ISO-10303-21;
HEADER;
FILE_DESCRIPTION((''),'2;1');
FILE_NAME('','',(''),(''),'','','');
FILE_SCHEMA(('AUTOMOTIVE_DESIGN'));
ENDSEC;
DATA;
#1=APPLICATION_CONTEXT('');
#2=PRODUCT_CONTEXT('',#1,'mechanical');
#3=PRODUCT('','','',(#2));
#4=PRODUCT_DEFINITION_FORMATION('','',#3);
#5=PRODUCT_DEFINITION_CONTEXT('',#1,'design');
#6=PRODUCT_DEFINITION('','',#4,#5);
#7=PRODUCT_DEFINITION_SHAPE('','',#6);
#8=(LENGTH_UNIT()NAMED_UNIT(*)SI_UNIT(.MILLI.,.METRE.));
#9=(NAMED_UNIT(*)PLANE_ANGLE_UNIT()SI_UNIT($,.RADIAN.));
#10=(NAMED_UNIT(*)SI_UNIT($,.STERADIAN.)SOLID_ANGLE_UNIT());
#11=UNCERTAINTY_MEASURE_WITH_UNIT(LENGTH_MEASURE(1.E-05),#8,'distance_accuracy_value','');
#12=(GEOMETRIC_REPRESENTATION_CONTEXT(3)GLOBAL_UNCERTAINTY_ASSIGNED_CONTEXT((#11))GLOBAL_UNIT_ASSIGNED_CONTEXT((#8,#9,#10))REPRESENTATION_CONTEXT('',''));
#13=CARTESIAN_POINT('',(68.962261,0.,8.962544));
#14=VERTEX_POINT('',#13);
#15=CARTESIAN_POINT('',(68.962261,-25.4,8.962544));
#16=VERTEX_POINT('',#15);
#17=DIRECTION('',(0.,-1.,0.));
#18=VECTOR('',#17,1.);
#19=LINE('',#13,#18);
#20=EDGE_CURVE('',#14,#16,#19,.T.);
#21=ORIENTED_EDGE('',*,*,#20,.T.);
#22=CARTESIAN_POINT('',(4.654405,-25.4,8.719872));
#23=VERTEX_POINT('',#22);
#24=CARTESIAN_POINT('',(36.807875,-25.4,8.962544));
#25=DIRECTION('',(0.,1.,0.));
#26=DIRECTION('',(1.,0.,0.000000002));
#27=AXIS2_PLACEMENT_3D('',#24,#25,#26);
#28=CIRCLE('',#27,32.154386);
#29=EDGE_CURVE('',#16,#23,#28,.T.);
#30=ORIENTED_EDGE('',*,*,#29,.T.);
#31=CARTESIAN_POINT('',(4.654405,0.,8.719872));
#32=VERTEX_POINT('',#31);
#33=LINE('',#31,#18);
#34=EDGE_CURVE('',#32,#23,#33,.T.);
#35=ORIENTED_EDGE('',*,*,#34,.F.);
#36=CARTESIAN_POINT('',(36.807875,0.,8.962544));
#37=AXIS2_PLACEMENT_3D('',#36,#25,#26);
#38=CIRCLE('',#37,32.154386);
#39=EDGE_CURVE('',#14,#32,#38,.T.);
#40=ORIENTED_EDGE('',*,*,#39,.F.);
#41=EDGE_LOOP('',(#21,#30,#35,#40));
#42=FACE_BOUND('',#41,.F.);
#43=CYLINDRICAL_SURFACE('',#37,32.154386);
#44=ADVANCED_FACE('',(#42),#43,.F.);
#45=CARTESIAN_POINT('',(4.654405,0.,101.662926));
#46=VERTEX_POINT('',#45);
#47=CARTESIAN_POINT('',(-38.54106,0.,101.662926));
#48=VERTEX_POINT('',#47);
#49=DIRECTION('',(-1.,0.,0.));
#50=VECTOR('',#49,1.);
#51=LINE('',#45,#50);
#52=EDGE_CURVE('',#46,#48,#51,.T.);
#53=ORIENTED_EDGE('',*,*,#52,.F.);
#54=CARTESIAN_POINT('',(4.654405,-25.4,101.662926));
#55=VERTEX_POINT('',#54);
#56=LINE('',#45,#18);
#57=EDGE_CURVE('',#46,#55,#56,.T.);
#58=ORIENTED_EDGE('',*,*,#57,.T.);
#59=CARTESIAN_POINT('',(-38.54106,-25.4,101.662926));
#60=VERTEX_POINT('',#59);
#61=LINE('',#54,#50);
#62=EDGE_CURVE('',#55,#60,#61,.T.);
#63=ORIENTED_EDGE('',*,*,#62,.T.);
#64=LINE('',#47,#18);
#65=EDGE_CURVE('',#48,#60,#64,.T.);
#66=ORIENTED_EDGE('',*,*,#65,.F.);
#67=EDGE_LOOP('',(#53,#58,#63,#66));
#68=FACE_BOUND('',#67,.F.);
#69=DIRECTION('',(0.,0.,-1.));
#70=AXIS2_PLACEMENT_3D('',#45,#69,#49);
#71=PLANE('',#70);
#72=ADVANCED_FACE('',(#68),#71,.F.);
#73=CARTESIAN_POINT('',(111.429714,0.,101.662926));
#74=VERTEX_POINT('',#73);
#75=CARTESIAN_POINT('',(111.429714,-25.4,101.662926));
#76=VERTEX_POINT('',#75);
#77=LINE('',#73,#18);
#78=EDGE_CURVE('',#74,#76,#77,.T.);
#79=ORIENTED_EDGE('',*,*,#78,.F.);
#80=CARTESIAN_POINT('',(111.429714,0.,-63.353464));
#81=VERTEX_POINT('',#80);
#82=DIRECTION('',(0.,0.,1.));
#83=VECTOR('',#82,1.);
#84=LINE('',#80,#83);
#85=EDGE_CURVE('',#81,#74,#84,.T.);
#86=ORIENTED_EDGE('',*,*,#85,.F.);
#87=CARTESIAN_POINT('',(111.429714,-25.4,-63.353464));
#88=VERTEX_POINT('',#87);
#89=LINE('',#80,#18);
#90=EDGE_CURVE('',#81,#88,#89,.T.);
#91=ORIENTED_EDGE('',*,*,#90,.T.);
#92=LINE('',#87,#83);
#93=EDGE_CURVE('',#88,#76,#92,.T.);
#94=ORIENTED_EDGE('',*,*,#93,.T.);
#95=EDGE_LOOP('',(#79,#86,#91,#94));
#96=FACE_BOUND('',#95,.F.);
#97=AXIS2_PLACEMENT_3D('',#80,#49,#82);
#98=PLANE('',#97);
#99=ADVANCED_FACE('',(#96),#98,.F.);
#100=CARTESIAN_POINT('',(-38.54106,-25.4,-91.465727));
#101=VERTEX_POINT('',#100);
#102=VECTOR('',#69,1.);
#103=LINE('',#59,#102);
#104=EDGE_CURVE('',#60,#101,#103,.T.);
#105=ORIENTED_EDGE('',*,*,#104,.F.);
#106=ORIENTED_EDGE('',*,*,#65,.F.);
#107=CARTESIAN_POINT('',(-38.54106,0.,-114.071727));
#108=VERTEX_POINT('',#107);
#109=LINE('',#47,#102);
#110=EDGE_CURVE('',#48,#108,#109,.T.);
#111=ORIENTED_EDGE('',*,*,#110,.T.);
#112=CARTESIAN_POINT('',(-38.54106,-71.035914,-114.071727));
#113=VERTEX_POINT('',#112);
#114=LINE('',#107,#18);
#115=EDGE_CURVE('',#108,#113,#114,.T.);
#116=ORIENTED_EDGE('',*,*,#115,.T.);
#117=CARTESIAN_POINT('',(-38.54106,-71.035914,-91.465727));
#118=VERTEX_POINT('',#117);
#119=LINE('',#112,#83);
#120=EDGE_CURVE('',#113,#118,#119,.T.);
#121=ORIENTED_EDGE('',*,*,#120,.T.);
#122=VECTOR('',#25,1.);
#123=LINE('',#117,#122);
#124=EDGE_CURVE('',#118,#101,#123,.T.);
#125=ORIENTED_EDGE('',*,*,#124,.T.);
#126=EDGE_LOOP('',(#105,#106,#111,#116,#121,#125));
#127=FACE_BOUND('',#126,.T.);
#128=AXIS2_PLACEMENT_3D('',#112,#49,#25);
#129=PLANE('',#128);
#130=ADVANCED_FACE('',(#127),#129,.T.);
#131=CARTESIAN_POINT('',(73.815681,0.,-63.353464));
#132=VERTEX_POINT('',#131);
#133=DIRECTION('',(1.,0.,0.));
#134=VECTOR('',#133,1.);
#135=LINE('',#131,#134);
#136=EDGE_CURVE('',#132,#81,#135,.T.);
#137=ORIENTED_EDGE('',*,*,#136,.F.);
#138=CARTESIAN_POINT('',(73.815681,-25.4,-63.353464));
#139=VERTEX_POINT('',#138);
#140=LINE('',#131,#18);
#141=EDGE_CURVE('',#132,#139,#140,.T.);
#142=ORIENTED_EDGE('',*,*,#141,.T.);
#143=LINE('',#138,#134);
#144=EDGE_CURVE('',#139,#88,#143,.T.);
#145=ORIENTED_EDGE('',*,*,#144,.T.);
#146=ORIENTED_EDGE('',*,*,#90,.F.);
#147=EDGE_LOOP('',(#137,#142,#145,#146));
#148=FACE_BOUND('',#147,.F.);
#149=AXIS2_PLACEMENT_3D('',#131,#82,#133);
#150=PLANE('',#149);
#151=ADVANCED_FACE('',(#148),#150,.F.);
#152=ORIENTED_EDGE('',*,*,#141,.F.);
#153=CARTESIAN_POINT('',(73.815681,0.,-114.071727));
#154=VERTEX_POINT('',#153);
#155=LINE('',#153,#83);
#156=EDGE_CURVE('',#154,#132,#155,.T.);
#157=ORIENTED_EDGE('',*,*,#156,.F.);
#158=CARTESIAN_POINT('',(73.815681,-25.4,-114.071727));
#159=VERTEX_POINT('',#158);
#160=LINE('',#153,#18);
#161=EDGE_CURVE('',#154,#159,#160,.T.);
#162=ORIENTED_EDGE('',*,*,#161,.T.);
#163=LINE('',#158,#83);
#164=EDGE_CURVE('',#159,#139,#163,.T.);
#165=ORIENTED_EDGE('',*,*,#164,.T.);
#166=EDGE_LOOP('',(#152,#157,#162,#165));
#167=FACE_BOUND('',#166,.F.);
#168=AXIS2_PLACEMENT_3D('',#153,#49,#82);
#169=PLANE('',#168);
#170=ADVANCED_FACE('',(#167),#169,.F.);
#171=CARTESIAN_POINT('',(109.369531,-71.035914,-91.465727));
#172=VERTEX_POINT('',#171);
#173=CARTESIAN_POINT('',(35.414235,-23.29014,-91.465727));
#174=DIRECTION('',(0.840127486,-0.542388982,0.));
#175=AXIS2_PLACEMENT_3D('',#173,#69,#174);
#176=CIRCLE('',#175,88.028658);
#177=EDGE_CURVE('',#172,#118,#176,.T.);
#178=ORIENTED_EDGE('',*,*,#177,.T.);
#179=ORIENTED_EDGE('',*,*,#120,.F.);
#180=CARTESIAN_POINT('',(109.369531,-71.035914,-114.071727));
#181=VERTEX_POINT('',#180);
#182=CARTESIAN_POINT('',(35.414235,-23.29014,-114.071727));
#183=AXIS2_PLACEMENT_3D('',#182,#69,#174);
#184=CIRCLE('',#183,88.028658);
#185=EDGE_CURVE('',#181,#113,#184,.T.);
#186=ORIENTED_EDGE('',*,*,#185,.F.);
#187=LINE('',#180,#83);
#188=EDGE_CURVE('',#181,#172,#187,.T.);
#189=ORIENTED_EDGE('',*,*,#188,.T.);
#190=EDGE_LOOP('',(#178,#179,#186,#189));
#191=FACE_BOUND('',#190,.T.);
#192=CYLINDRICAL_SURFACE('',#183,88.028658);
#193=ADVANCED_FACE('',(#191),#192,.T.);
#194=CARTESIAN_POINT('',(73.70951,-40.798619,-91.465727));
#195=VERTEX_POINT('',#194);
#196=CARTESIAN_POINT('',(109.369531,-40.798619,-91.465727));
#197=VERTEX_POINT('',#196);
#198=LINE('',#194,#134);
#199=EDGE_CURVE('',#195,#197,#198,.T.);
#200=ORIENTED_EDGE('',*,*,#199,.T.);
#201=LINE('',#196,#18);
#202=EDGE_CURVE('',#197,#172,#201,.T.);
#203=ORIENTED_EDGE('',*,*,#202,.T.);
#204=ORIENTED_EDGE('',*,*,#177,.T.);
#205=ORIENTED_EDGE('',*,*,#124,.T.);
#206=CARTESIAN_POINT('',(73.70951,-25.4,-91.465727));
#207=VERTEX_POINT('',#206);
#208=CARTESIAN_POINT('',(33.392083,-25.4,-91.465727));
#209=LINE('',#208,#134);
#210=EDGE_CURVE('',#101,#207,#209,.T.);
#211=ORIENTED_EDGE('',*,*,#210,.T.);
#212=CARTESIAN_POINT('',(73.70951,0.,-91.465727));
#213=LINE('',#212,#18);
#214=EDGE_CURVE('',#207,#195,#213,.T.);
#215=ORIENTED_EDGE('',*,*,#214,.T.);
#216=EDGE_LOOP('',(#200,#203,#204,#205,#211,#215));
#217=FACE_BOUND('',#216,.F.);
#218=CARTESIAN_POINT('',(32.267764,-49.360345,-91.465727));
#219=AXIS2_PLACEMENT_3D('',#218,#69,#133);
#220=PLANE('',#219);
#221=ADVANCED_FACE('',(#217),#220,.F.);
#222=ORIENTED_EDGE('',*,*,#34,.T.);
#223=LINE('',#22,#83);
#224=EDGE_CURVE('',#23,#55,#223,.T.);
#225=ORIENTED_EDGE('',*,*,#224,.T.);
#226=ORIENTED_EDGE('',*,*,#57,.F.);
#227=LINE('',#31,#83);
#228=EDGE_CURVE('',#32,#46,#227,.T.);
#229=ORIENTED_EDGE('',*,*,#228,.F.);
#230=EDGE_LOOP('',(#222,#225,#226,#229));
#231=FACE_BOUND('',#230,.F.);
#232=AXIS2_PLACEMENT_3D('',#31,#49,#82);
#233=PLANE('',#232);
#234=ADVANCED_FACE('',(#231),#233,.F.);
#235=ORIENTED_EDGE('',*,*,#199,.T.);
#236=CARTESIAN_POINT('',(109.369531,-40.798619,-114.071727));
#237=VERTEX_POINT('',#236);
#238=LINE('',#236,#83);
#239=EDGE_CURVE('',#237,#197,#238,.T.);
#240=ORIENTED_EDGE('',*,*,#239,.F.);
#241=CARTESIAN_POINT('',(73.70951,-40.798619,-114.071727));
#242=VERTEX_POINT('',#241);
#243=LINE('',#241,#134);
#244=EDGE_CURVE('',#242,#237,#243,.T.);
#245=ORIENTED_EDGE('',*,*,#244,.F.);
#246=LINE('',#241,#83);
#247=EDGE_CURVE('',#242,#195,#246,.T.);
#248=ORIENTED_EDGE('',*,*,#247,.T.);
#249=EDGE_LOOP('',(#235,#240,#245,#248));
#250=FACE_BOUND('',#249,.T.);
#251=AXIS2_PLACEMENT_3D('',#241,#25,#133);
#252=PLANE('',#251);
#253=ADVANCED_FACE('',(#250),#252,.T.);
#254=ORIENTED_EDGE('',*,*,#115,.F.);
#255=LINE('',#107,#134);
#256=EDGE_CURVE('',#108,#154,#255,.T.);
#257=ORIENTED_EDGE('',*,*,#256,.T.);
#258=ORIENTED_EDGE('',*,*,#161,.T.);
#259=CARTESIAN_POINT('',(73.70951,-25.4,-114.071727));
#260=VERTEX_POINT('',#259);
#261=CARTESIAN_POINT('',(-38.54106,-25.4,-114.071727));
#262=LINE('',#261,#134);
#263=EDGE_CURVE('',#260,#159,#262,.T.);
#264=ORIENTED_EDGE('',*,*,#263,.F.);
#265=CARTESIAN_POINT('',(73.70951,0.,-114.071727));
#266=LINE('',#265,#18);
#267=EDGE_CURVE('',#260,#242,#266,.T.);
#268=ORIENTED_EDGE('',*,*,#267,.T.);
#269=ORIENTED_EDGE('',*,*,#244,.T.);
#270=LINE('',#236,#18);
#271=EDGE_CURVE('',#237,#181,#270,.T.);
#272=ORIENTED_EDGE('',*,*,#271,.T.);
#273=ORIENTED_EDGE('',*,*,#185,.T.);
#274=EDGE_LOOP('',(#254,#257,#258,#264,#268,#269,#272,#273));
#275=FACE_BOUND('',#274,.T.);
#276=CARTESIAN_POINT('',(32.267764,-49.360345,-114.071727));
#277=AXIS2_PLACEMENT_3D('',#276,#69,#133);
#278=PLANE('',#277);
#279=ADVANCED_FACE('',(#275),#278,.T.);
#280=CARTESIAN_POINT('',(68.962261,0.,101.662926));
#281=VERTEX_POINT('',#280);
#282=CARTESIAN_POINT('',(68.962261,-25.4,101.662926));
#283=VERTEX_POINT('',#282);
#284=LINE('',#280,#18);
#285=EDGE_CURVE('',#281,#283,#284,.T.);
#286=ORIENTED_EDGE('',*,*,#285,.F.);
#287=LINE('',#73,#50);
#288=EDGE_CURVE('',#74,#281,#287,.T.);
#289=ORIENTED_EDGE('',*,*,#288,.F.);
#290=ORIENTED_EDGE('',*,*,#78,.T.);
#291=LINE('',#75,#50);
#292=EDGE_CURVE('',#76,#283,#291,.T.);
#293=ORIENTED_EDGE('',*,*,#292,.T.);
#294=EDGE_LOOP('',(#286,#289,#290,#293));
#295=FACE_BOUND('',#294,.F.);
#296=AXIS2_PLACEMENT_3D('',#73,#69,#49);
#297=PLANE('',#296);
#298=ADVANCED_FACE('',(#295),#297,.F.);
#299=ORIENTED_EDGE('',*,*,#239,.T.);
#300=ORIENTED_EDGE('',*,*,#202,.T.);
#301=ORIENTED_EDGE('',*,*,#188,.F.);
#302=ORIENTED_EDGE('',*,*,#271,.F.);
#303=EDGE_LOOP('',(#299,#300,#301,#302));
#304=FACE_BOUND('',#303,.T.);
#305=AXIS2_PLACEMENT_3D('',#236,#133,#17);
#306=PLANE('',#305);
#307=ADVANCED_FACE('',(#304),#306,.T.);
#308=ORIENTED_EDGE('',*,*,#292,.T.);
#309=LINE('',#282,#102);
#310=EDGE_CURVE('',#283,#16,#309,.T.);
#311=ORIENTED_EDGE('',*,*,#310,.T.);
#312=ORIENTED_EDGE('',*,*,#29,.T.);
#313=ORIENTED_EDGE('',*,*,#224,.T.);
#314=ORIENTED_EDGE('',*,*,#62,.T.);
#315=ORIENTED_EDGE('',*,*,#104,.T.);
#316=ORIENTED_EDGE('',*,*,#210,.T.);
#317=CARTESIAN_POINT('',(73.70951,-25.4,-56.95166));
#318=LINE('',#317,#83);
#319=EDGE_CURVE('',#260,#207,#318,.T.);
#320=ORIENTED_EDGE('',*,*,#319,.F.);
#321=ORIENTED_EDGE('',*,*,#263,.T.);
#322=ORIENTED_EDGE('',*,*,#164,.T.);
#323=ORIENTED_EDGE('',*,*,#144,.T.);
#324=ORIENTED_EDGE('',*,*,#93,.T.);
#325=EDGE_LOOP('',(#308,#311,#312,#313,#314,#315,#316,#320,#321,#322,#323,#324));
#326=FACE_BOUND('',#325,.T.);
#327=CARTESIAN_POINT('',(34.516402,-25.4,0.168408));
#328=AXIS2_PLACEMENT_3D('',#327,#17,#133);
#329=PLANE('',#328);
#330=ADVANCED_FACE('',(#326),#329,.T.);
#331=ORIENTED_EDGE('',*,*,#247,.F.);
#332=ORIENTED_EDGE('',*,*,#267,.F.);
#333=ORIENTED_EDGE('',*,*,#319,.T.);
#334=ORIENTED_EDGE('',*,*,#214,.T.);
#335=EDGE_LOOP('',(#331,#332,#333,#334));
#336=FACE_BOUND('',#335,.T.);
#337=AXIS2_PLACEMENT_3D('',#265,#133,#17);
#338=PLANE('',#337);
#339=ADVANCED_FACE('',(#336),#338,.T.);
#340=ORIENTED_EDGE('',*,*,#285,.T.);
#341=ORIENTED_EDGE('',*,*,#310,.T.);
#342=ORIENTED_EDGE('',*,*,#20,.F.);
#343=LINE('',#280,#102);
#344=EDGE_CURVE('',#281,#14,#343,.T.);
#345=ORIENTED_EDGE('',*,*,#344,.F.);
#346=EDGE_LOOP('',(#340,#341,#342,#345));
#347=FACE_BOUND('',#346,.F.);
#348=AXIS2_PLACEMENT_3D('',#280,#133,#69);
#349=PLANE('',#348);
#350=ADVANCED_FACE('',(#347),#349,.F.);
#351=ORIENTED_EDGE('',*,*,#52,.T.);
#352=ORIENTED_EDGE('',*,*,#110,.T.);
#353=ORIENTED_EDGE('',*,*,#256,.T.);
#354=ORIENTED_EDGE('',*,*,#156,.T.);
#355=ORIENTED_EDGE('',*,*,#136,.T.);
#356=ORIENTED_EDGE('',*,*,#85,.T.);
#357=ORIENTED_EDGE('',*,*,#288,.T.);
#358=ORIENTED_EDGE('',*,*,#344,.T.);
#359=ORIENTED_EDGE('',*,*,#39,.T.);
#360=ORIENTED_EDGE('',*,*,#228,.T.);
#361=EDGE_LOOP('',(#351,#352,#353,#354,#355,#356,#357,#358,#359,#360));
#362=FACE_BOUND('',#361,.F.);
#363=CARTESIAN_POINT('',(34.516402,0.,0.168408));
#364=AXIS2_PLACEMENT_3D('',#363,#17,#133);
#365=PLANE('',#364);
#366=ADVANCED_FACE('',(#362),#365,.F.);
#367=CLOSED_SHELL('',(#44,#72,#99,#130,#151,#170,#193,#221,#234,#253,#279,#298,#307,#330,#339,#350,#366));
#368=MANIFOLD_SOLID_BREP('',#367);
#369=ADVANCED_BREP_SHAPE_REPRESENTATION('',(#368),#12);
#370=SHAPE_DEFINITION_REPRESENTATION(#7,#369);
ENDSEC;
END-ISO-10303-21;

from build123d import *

# Parameters (mm, degrees)
F1_DEPTH = 25.4
F3_DEPTH = 22.606


with BuildPart() as f1:
    # F0 (on Front) → F1 (new body)
    with BuildSketch(Plane.XZ):
        with BuildLine():
            Line((4.654405, 101.662926), (-38.54106, 101.662926))
            Line((-38.54106, 101.662926), (-38.54106, -114.071727))
            Line((-38.54106, -114.071727), (73.815681, -114.071727))
            Line((73.815681, -114.071727), (73.815681, -63.353464))
            Line((73.815681, -63.353464), (111.429714, -63.353464))
            Line((111.429714, -63.353464), (111.429714, 101.662926))
            Line((111.429714, 101.662926), (68.962261, 101.662926))
            Line((68.962261, 101.662926), (68.962261, 8.962544))
            ThreePointArc((68.962261, 8.962544), (36.929212, -23.191613), (4.654405, 8.719872))
            Line((4.654405, 8.719872), (4.654405, 101.662926))
        make_face()
    extrude(amount=F1_DEPTH)

    # F2 (on face) → F3 (join)
    with BuildSketch(Plane(origin=(0, 0, -114.071727), x_dir=(1, 0, 0), z_dir=(0, 0, -1))):
        with BuildLine():
            Line((-38.54106, 71.035914), (-38.54106, 0))
            Line((-38.54106, 0), (73.70951, 0))
            Line((73.70951, 0), (73.70951, 40.798619))
            Line((73.70951, 40.798619), (109.369531, 40.798619))
            Line((109.369531, 40.798619), (109.369531, 71.035914))
            ThreePointArc((109.369531, 71.035914), (35.414236, 111.318798), (-38.54106, 71.035914))
        make_face()
    extrude(amount=-F3_DEPTH)


solid = f1.part
